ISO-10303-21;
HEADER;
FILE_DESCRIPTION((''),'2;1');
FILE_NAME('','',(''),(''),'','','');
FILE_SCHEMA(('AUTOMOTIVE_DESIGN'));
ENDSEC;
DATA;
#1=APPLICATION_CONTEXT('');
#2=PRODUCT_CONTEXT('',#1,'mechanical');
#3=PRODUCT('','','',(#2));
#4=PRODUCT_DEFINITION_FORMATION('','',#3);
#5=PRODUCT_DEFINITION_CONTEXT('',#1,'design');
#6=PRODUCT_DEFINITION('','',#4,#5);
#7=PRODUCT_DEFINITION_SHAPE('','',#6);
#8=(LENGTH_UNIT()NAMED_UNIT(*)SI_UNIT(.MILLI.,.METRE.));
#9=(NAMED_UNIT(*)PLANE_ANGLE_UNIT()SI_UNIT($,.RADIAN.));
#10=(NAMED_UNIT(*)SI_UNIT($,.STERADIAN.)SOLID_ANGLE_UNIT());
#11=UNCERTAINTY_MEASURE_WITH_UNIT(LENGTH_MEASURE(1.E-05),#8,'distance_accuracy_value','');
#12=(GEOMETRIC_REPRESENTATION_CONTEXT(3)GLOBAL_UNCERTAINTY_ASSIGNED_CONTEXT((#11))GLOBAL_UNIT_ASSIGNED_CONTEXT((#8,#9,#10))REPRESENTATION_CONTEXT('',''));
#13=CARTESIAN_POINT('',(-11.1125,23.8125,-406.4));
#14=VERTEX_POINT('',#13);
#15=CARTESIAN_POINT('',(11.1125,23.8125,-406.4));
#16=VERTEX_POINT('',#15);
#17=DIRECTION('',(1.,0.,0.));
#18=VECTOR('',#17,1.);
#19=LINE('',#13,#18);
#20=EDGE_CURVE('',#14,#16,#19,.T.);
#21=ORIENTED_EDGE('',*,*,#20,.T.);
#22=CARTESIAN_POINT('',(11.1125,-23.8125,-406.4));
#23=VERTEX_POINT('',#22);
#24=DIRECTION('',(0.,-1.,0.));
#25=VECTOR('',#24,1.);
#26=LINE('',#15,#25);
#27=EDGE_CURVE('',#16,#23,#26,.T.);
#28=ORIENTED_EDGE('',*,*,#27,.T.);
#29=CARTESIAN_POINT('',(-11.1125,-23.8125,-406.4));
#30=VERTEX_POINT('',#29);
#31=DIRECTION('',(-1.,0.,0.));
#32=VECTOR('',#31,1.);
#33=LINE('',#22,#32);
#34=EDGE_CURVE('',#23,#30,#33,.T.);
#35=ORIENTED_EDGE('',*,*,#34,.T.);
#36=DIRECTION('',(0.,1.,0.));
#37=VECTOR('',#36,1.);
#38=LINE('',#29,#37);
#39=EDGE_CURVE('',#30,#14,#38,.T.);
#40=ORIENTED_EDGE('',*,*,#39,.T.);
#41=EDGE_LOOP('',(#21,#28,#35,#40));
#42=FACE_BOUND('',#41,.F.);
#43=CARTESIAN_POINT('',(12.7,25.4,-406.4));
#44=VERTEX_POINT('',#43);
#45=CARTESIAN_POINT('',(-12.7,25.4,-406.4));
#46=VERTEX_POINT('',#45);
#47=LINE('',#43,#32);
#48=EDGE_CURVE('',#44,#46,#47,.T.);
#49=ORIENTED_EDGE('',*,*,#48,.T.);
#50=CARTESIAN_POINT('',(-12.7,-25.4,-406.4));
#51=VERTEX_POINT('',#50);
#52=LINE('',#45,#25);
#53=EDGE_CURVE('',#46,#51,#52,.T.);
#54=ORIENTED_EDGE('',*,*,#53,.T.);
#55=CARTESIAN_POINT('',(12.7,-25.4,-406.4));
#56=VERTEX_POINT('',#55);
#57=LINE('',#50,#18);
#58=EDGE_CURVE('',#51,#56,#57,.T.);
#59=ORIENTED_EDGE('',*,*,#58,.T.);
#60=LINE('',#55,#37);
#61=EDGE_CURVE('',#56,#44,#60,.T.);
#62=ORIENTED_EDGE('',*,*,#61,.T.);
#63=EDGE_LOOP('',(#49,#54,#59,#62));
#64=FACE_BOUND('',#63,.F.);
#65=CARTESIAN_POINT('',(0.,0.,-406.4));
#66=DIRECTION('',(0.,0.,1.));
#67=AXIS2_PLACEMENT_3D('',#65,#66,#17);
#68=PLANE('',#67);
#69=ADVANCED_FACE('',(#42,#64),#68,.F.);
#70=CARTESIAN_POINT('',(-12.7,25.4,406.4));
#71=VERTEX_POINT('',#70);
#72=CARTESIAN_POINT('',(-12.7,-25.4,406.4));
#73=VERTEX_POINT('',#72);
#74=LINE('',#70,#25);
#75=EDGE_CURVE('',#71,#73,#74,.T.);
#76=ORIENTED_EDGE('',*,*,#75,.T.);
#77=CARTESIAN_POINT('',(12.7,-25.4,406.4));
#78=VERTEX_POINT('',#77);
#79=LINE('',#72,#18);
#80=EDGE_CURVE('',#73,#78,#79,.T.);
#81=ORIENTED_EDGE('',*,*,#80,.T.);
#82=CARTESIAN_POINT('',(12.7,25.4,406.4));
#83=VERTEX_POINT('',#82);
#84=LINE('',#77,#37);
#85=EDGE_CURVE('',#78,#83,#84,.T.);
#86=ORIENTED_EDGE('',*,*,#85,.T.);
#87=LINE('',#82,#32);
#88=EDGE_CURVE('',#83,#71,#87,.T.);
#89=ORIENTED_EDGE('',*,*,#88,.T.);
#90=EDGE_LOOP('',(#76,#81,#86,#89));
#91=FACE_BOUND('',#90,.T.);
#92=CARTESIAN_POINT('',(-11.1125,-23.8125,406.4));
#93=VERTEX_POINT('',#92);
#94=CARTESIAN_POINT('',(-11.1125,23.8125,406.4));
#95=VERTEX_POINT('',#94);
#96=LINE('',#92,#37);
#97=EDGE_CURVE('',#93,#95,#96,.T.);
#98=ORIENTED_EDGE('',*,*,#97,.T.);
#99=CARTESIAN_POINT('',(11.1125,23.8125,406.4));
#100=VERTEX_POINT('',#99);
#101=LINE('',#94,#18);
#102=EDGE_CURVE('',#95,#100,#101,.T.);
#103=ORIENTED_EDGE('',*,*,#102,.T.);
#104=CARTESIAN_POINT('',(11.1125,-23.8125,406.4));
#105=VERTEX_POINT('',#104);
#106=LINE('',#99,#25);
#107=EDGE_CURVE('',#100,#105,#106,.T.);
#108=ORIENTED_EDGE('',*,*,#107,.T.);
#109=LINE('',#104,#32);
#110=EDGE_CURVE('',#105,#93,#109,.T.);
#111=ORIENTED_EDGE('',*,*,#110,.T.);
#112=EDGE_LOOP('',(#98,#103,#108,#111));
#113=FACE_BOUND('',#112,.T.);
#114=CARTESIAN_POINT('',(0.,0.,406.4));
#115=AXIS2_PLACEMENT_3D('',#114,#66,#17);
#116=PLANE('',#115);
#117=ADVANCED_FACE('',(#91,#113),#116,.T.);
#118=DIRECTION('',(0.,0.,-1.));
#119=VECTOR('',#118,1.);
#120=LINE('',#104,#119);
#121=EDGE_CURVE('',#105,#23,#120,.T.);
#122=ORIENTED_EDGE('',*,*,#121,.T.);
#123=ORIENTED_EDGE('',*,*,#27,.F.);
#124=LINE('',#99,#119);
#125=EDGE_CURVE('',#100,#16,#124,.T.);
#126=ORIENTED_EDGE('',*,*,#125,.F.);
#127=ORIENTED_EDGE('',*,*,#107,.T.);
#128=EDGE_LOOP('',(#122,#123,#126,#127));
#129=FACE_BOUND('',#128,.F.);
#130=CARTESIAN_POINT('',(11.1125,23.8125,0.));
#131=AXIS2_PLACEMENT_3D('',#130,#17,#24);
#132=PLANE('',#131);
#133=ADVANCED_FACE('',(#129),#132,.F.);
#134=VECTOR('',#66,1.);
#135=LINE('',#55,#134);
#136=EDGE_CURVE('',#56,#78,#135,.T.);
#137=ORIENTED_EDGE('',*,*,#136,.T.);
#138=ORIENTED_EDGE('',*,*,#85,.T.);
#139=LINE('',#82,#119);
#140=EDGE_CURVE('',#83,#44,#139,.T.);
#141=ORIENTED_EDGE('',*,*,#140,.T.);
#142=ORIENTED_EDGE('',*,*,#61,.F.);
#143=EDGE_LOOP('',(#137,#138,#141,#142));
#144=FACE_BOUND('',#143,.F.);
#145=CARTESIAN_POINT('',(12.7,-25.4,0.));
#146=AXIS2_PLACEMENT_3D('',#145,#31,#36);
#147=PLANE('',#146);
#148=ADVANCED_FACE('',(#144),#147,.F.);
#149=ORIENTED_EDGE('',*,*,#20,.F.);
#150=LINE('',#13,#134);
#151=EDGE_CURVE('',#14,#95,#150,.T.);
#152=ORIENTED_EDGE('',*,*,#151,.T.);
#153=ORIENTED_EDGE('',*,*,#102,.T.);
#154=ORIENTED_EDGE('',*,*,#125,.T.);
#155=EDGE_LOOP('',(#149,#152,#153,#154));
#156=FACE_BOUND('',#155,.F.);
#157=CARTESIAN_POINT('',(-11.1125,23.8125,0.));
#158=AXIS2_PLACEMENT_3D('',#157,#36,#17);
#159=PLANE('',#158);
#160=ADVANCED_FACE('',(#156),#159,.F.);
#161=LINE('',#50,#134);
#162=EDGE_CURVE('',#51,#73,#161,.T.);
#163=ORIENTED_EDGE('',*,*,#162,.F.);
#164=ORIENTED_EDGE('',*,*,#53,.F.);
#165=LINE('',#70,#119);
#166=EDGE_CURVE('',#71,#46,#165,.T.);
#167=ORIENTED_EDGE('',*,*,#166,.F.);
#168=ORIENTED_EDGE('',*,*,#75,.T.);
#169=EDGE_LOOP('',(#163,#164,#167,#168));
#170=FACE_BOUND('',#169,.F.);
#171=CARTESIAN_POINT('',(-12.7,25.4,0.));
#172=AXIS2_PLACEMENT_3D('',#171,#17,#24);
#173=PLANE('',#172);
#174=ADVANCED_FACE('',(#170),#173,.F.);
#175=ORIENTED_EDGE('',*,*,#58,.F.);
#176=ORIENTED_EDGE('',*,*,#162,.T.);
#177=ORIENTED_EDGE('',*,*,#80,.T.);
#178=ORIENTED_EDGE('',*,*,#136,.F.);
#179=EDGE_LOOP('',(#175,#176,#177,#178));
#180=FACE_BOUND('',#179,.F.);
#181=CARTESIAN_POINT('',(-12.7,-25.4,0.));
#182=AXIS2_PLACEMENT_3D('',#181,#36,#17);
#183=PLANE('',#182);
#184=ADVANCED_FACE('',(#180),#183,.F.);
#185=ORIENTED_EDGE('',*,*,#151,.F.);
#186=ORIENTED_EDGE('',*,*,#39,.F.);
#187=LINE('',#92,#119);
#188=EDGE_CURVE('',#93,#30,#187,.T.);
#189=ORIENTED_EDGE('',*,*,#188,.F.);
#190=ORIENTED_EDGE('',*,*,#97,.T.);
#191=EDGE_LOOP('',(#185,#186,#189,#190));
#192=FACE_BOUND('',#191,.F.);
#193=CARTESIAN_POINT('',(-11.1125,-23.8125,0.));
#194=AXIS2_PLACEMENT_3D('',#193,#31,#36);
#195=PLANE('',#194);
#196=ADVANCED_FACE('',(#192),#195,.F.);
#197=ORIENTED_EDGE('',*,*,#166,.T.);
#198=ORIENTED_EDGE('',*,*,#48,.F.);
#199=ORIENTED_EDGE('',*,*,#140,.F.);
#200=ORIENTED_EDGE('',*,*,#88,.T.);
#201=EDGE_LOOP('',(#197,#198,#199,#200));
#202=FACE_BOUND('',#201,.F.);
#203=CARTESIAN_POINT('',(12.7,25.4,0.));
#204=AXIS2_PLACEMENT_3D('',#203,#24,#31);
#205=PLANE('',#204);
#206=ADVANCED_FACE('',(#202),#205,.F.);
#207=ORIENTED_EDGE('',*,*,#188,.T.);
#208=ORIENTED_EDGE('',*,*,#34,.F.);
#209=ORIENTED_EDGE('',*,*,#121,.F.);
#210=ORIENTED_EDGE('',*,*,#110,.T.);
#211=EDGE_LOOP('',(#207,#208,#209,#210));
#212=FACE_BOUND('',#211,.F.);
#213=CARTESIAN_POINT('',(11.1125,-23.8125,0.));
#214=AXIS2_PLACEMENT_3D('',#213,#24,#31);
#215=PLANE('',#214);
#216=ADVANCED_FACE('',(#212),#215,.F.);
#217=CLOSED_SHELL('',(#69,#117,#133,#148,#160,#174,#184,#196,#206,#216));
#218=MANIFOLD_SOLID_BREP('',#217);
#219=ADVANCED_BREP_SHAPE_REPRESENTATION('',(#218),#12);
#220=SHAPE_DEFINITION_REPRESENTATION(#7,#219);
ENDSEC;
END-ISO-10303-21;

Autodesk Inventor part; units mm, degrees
ref_plane "YZ Plane" through (0, 0, 0) normal (1, 0, 0) x (0, 1, 0)
ref_plane "XZ Plane" through (0, 0, 0) normal (0, 1, 0) x (-1, 0, 0)
ref_plane "XY Plane" through (0, 0, 0) normal (0, 0, 1) x (1, 0, 0)
sketch "Sketch1" plane through (0, 0, 0) normal (0, 0, 1) x (1, 0, 0)
  line L0 (-12.7, -25.4) -> (12.7, -25.4)
  line L1 (12.7, -25.4) -> (12.7, 25.4)
  line L2 (12.7, 25.4) -> (-12.7, 25.4)
  line L3 (-12.7, 25.4) -> (-12.7, -25.4)
  line L4 (-12.7, -25.4) -> (12.7, 25.4) construction
  line L5 (12.7, -25.4) -> (-12.7, 25.4) construction
  line L6 (-11.1125, 23.8125) -> (11.1125, 23.8125)
  line L7 (11.1125, 23.8125) -> (11.1125, -23.8125)
  line L8 (11.1125, -23.8125) -> (-11.1125, -23.8125)
  line L9 (-11.1125, -23.8125) -> (-11.1125, 23.8125)
  point P0 (0, 0)
  dimension "width" = 25.4
  dimension "height" = 50.8
  dimension "thickness" = 1.5875
extrude "Extrusion1" add sketch "Sketch1" along normal mid plane 812.8
properties part number "EL2-002" material "Aluminum 6061"
